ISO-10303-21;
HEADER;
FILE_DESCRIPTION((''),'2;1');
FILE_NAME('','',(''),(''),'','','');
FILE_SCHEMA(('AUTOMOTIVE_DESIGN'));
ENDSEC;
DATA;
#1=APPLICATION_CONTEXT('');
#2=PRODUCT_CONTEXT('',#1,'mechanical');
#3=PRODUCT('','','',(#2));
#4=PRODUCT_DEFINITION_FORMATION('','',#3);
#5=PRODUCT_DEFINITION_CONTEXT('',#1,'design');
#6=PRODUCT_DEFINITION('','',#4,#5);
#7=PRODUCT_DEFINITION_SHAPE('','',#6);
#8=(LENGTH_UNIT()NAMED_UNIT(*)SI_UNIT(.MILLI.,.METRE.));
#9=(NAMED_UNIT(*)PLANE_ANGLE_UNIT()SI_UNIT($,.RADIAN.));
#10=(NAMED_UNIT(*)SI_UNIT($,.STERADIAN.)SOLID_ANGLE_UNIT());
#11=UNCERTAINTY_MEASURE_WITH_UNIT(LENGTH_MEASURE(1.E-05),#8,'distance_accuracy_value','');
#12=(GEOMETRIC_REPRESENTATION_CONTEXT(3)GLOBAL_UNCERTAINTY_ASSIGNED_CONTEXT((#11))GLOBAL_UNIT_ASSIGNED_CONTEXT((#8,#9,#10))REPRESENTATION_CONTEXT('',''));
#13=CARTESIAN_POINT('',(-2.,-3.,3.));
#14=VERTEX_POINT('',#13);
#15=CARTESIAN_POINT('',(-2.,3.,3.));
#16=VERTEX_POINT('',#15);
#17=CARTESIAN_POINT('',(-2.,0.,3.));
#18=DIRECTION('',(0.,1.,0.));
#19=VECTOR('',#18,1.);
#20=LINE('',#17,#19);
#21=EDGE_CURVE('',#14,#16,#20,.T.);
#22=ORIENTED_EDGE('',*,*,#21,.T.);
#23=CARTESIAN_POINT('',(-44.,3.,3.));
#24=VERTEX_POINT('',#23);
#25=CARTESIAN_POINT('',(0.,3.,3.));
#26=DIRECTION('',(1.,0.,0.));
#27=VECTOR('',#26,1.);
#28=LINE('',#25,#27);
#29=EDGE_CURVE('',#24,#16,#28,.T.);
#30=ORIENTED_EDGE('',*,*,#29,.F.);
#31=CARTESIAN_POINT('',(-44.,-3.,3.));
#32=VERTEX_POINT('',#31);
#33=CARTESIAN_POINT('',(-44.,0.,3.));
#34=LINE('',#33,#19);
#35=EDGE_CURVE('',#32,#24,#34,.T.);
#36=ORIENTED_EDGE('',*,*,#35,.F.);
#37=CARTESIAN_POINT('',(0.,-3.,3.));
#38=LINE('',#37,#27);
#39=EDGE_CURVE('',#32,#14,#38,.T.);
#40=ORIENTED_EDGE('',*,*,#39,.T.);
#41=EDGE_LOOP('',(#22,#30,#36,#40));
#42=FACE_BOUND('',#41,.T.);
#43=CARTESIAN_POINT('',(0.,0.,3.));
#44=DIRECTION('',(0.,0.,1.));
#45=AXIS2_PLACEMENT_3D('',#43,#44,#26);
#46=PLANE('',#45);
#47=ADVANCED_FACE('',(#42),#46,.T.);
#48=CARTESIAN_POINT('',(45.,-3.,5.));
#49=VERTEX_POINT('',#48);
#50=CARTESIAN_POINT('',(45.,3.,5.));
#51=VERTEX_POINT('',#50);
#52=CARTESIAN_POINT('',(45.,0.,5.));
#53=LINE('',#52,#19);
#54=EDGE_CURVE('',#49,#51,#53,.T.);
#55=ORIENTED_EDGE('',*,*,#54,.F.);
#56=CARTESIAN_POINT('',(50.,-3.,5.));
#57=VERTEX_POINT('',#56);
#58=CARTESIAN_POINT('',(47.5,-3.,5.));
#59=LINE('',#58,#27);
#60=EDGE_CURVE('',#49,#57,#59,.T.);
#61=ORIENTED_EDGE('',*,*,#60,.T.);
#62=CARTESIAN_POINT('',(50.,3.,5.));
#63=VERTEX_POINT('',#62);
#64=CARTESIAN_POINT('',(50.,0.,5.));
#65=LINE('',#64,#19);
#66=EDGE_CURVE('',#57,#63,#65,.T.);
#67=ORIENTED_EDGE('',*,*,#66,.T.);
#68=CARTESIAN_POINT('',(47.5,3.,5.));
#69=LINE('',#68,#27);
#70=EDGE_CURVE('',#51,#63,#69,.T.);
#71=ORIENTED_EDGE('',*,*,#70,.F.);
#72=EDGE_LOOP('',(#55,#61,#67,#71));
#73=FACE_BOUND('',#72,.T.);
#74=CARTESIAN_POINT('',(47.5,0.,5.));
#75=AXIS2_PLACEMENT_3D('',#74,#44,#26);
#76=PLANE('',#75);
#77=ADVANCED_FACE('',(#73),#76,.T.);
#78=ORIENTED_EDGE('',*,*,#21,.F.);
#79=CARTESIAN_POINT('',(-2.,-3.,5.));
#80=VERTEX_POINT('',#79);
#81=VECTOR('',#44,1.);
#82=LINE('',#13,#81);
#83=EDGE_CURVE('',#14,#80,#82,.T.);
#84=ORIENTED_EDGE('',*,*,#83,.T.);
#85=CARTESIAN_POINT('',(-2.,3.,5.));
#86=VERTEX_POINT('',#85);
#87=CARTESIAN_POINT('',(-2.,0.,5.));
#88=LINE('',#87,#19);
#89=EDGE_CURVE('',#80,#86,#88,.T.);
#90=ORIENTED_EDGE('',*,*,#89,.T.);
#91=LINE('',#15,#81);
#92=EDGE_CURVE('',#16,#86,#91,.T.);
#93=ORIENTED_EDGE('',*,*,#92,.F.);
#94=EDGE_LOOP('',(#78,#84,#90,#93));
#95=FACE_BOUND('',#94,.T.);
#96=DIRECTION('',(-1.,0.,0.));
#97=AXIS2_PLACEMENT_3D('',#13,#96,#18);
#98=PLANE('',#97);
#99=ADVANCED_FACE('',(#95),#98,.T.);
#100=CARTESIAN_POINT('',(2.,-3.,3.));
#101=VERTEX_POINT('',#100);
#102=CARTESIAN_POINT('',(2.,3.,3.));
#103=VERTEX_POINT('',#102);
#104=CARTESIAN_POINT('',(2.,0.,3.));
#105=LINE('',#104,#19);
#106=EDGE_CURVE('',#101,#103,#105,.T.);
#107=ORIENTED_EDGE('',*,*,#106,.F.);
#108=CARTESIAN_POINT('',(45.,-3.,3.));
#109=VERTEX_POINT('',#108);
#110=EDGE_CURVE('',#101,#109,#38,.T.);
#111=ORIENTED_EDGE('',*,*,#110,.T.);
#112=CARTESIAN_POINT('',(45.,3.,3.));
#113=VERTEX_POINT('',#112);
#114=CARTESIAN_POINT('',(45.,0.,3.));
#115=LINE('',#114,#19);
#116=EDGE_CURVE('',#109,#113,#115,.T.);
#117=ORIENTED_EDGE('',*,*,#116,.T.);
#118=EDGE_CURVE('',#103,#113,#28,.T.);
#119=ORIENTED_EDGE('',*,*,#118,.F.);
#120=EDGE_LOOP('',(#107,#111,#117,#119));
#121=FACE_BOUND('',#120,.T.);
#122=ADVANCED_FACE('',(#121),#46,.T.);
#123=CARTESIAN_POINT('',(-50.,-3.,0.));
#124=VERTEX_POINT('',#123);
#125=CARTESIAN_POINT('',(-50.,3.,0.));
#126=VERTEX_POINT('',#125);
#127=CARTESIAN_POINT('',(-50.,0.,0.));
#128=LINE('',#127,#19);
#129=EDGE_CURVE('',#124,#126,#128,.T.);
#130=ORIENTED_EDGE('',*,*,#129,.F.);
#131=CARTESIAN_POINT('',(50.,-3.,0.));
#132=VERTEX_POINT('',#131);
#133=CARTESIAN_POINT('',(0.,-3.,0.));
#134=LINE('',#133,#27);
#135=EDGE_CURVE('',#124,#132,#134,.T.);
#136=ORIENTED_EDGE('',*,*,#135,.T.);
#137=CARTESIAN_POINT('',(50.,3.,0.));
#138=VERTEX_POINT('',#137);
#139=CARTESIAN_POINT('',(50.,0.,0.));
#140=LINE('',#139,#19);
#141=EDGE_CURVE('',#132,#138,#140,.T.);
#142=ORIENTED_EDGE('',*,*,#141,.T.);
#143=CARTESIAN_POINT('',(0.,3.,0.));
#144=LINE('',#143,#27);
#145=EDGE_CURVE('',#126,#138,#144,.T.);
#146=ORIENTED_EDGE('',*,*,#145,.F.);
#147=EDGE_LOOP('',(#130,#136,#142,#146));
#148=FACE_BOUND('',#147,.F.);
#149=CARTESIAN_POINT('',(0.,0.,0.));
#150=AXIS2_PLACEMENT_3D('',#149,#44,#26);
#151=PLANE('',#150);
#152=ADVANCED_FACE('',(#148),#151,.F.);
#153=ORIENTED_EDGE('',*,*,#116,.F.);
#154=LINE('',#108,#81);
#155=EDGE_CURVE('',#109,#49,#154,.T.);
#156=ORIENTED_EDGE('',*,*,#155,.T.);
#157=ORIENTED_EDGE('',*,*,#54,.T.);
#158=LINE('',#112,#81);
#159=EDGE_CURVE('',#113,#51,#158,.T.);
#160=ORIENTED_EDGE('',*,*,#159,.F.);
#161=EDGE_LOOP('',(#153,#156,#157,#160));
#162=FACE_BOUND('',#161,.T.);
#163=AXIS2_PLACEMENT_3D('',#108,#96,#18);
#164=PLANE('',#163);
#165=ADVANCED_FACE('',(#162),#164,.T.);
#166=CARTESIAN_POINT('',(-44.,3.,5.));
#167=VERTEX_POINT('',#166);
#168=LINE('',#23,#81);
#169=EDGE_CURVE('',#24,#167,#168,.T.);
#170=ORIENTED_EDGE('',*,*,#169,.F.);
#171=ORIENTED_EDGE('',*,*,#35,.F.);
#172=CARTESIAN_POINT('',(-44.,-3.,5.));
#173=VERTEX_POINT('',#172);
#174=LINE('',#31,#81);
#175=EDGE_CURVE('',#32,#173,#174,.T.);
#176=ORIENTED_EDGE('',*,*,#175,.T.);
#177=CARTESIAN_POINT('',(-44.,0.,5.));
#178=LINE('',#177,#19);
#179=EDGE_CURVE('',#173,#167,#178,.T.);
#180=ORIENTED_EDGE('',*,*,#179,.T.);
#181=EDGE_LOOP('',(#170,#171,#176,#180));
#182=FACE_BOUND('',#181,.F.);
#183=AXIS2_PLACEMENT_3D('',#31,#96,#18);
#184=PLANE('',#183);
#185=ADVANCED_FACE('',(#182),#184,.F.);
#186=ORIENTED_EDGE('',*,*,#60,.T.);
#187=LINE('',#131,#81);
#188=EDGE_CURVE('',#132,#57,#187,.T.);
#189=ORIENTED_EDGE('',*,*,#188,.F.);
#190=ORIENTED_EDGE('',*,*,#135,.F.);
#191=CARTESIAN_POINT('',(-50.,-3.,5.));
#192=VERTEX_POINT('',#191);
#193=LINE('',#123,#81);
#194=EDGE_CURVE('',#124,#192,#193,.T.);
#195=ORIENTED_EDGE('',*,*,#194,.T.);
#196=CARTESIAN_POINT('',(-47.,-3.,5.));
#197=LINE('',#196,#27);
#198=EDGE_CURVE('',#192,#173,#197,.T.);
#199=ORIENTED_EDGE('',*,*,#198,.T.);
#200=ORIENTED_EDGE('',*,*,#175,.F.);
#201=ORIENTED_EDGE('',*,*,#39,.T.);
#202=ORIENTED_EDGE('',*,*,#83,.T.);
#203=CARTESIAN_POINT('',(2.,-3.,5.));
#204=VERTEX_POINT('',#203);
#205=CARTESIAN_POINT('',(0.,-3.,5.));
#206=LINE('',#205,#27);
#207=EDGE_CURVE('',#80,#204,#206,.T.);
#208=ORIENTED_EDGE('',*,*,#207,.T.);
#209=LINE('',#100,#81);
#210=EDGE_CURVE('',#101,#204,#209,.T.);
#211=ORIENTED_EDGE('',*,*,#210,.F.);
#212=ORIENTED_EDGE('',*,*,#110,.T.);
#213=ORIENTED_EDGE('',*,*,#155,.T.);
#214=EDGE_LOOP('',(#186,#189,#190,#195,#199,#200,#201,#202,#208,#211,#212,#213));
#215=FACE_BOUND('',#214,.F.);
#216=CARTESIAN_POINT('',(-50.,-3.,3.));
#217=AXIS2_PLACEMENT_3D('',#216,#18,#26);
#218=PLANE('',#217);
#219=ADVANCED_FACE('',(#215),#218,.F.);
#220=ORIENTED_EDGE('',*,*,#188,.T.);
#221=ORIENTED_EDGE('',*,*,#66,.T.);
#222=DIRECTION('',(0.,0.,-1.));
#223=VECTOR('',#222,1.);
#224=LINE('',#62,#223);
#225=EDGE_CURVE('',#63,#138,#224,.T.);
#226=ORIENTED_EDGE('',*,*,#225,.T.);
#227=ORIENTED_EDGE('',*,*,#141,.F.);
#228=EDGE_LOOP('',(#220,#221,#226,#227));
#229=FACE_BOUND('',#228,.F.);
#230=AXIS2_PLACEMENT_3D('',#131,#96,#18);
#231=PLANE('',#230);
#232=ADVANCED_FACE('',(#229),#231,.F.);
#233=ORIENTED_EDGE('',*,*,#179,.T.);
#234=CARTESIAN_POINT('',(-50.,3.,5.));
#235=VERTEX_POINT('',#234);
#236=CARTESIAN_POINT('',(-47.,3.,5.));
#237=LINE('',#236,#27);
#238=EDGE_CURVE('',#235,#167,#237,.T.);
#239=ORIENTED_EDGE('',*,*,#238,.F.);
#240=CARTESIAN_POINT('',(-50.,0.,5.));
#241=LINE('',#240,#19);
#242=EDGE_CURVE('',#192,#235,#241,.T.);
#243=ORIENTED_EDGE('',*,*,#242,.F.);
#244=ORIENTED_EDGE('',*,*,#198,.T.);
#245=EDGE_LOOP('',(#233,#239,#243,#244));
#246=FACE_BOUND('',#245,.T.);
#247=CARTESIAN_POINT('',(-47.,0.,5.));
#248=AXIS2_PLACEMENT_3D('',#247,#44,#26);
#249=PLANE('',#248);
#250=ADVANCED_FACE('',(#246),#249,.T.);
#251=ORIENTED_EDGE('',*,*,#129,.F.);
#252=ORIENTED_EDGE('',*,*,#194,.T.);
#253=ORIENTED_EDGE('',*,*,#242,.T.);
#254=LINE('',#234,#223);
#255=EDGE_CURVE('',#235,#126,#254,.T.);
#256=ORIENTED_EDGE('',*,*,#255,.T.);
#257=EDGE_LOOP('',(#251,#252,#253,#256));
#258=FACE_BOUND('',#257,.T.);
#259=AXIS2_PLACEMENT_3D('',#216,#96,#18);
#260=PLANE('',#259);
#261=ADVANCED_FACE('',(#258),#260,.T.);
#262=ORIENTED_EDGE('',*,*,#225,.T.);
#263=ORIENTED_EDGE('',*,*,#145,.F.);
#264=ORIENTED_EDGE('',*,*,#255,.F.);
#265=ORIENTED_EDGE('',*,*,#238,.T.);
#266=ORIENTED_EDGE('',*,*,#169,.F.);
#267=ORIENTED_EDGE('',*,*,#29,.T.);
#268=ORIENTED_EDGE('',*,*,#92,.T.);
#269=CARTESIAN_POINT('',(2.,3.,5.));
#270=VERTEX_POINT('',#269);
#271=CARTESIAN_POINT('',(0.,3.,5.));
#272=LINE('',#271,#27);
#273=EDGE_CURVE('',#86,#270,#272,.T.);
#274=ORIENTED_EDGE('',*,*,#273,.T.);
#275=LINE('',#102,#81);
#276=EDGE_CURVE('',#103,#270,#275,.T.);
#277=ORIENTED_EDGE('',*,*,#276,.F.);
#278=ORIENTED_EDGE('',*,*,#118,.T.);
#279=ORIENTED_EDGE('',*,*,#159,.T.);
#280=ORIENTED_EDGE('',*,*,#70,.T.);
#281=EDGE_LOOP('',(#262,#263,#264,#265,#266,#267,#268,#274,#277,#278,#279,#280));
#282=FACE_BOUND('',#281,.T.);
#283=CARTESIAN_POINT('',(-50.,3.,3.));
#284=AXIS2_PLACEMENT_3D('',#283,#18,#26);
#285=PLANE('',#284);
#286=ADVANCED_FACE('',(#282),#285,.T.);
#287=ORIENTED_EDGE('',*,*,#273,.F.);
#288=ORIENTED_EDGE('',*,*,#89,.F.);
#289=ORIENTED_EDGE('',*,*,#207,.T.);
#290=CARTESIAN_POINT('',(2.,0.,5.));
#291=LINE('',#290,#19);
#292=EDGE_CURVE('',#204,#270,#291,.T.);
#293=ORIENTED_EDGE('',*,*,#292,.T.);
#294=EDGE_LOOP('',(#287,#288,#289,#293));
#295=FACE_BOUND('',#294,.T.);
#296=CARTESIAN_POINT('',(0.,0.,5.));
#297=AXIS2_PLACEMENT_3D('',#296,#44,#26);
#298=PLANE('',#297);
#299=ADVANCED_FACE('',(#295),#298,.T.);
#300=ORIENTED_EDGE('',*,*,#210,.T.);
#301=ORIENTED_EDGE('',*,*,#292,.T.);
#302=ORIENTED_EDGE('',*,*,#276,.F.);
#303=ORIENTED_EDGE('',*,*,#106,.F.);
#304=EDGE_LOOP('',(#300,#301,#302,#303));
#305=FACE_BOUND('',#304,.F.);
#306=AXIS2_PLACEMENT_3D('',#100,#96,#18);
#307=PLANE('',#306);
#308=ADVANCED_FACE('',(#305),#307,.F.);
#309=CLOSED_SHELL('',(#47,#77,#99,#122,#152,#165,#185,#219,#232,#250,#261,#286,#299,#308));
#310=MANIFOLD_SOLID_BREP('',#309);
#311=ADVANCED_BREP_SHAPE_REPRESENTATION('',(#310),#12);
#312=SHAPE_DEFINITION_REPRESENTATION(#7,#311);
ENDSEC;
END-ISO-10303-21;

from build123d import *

# Parameters (mm, degrees)
F0_W     = 100
F0_H     = 6
F1_DEPTH = 3
F2_W     = 6
F2_H     = 6
F2_W_2   = 4
F2_W_3   = 5
F3_DEPTH = 2


with BuildPart() as f1:
    # F0 (on Top) → F1 (new body)
    with BuildSketch(Plane.XY):
        Rectangle(F0_W, F0_H)
    extrude(amount=F1_DEPTH)

    # F2 (on face) → F3 (join)
    with BuildSketch(Plane.XY.offset(3)):
        with Locations((-47, 0)):
            Rectangle(F2_W, F2_H)
        Rectangle(F2_W_2, F2_H)
        with Locations((47.5, 0)):
            Rectangle(F2_W_3, F2_H)
    extrude(amount=F3_DEPTH)


solid = f1.part
